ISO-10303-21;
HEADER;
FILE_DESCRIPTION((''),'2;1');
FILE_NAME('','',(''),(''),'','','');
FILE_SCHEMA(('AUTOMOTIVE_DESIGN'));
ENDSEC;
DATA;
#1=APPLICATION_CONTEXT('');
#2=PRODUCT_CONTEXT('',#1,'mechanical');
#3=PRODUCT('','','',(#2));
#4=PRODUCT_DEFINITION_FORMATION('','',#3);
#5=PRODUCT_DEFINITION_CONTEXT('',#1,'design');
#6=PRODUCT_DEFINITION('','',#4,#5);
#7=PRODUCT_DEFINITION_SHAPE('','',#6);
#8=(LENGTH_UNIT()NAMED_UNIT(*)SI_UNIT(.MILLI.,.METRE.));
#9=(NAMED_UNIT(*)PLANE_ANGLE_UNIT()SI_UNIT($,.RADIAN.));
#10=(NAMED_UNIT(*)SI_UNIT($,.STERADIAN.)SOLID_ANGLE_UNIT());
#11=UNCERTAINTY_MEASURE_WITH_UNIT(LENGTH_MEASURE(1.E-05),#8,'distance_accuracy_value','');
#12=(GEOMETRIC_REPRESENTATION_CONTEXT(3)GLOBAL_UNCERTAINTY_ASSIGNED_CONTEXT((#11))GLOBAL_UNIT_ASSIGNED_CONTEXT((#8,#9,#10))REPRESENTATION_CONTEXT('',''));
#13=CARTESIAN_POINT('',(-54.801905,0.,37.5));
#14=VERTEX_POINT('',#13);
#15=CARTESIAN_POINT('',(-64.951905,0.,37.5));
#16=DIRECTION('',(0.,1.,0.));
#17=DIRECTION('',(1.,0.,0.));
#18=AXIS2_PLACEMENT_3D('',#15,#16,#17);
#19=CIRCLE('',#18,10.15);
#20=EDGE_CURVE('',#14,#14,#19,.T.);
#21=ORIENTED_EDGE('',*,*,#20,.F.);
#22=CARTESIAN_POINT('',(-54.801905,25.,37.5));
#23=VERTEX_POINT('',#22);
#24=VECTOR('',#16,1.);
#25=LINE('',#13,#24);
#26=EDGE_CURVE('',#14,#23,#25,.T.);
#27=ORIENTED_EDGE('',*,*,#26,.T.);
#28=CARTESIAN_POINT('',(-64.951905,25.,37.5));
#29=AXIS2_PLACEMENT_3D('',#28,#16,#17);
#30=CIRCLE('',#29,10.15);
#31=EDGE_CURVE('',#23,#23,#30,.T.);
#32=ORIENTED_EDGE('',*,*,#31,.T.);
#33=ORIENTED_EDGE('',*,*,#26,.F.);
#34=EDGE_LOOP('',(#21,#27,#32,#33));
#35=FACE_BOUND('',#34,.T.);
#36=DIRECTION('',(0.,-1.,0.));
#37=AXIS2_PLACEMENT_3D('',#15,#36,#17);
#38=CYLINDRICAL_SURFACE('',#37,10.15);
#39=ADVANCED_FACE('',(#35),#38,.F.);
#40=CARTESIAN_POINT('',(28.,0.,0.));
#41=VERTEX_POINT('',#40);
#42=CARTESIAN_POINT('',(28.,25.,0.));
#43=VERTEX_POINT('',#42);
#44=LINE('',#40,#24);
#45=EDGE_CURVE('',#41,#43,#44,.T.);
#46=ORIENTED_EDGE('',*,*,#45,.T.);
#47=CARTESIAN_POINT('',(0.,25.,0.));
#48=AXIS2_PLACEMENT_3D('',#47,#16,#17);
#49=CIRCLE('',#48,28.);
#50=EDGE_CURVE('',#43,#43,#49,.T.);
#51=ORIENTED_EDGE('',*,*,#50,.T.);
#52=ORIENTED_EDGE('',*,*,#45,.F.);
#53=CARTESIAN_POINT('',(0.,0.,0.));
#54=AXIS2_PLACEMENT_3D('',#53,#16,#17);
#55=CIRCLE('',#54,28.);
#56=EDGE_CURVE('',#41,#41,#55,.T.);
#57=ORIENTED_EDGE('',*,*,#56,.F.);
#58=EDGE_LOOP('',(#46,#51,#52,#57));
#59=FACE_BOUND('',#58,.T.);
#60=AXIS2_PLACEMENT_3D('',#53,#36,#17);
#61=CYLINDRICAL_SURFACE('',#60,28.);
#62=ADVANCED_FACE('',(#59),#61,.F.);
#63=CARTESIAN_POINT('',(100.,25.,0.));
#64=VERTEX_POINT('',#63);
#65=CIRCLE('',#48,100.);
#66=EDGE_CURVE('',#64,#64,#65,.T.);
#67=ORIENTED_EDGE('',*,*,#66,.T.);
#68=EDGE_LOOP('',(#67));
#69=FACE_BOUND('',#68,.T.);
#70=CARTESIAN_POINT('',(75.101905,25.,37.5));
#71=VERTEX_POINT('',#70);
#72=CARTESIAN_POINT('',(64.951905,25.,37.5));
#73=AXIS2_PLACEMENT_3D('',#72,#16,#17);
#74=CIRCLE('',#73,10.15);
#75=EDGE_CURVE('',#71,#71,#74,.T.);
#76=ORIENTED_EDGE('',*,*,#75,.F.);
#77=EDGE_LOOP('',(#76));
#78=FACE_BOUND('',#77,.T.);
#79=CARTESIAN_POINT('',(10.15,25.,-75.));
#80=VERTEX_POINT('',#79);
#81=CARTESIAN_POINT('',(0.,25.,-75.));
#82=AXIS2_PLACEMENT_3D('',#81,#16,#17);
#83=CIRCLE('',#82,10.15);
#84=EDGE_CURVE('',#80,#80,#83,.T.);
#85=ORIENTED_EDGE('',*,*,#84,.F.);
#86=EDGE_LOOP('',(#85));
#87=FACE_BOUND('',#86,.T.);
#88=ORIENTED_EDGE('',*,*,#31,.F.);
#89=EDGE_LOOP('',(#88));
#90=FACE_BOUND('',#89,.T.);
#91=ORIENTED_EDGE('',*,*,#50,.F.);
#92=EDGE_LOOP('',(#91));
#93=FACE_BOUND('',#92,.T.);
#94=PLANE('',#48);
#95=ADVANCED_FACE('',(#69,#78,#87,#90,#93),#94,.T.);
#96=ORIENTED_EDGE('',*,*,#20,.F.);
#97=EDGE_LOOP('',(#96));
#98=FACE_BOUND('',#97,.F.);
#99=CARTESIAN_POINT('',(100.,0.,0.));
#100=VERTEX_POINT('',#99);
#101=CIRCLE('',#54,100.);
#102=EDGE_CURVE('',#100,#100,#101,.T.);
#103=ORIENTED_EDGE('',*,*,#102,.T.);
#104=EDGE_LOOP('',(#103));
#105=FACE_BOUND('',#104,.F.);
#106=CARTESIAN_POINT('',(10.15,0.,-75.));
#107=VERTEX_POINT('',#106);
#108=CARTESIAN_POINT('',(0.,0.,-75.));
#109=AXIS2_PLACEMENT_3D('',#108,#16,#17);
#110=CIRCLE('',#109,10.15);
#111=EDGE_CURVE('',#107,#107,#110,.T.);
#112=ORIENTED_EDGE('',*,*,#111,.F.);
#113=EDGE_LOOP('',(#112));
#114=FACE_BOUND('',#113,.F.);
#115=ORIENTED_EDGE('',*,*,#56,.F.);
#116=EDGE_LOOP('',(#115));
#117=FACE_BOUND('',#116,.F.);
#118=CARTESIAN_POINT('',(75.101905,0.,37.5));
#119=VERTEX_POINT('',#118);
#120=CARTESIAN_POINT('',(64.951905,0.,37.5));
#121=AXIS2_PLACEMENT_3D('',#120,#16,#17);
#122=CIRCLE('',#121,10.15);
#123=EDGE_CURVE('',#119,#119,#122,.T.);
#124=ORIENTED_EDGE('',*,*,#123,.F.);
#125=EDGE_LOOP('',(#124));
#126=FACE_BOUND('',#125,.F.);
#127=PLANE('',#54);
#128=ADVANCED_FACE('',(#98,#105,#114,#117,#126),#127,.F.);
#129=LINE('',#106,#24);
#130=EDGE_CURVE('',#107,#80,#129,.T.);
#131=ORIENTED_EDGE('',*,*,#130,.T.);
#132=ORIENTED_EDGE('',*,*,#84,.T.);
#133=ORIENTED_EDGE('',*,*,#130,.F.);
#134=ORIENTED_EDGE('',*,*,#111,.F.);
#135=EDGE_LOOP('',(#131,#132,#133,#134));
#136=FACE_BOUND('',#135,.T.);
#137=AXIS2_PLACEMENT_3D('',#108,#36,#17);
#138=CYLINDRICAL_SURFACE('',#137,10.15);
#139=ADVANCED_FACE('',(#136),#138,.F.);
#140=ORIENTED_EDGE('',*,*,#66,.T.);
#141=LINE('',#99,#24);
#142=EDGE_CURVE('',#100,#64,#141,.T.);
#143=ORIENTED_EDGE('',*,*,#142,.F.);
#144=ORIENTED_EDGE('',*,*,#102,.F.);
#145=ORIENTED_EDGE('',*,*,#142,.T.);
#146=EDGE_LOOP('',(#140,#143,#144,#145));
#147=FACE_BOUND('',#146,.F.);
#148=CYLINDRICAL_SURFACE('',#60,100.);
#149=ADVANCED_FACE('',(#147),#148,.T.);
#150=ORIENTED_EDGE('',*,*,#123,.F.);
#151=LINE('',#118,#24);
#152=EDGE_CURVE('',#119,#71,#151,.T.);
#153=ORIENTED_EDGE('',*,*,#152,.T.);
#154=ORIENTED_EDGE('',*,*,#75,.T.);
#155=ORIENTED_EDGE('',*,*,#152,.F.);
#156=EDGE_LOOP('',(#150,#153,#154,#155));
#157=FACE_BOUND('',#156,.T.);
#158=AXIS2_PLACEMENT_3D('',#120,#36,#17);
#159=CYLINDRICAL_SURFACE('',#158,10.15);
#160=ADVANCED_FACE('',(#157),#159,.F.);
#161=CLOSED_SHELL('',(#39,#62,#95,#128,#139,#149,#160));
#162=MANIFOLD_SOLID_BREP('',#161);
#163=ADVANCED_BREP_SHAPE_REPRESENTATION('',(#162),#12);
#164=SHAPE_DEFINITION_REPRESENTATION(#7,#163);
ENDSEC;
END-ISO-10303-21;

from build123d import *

# Parameters (mm, degrees)
SKETCH1_R           = 100
SKETCH1_R_2         = 28
SKETCH1_R_3         = 10.15
BOSS_EXTRUDE1_DEPTH = 25


with BuildPart() as part:
    # Sketch1 → Boss-Extrude1 (new body)
    with BuildSketch(Plane(origin=(0, 0, 0), x_dir=(1, 0, 0), z_dir=(0, 1, 0))):
        Circle(SKETCH1_R)
        Circle(SKETCH1_R_2, mode=Mode.SUBTRACT)
        with Locations((0, 75)):
            Circle(SKETCH1_R_3, mode=Mode.SUBTRACT)
        with Locations((64.951905284, -37.5)):
            Circle(SKETCH1_R_3, mode=Mode.SUBTRACT)
        with Locations((-64.951905284, -37.5)):
            Circle(SKETCH1_R_3, mode=Mode.SUBTRACT)
    extrude(amount=BOSS_EXTRUDE1_DEPTH)


solid = part.part
